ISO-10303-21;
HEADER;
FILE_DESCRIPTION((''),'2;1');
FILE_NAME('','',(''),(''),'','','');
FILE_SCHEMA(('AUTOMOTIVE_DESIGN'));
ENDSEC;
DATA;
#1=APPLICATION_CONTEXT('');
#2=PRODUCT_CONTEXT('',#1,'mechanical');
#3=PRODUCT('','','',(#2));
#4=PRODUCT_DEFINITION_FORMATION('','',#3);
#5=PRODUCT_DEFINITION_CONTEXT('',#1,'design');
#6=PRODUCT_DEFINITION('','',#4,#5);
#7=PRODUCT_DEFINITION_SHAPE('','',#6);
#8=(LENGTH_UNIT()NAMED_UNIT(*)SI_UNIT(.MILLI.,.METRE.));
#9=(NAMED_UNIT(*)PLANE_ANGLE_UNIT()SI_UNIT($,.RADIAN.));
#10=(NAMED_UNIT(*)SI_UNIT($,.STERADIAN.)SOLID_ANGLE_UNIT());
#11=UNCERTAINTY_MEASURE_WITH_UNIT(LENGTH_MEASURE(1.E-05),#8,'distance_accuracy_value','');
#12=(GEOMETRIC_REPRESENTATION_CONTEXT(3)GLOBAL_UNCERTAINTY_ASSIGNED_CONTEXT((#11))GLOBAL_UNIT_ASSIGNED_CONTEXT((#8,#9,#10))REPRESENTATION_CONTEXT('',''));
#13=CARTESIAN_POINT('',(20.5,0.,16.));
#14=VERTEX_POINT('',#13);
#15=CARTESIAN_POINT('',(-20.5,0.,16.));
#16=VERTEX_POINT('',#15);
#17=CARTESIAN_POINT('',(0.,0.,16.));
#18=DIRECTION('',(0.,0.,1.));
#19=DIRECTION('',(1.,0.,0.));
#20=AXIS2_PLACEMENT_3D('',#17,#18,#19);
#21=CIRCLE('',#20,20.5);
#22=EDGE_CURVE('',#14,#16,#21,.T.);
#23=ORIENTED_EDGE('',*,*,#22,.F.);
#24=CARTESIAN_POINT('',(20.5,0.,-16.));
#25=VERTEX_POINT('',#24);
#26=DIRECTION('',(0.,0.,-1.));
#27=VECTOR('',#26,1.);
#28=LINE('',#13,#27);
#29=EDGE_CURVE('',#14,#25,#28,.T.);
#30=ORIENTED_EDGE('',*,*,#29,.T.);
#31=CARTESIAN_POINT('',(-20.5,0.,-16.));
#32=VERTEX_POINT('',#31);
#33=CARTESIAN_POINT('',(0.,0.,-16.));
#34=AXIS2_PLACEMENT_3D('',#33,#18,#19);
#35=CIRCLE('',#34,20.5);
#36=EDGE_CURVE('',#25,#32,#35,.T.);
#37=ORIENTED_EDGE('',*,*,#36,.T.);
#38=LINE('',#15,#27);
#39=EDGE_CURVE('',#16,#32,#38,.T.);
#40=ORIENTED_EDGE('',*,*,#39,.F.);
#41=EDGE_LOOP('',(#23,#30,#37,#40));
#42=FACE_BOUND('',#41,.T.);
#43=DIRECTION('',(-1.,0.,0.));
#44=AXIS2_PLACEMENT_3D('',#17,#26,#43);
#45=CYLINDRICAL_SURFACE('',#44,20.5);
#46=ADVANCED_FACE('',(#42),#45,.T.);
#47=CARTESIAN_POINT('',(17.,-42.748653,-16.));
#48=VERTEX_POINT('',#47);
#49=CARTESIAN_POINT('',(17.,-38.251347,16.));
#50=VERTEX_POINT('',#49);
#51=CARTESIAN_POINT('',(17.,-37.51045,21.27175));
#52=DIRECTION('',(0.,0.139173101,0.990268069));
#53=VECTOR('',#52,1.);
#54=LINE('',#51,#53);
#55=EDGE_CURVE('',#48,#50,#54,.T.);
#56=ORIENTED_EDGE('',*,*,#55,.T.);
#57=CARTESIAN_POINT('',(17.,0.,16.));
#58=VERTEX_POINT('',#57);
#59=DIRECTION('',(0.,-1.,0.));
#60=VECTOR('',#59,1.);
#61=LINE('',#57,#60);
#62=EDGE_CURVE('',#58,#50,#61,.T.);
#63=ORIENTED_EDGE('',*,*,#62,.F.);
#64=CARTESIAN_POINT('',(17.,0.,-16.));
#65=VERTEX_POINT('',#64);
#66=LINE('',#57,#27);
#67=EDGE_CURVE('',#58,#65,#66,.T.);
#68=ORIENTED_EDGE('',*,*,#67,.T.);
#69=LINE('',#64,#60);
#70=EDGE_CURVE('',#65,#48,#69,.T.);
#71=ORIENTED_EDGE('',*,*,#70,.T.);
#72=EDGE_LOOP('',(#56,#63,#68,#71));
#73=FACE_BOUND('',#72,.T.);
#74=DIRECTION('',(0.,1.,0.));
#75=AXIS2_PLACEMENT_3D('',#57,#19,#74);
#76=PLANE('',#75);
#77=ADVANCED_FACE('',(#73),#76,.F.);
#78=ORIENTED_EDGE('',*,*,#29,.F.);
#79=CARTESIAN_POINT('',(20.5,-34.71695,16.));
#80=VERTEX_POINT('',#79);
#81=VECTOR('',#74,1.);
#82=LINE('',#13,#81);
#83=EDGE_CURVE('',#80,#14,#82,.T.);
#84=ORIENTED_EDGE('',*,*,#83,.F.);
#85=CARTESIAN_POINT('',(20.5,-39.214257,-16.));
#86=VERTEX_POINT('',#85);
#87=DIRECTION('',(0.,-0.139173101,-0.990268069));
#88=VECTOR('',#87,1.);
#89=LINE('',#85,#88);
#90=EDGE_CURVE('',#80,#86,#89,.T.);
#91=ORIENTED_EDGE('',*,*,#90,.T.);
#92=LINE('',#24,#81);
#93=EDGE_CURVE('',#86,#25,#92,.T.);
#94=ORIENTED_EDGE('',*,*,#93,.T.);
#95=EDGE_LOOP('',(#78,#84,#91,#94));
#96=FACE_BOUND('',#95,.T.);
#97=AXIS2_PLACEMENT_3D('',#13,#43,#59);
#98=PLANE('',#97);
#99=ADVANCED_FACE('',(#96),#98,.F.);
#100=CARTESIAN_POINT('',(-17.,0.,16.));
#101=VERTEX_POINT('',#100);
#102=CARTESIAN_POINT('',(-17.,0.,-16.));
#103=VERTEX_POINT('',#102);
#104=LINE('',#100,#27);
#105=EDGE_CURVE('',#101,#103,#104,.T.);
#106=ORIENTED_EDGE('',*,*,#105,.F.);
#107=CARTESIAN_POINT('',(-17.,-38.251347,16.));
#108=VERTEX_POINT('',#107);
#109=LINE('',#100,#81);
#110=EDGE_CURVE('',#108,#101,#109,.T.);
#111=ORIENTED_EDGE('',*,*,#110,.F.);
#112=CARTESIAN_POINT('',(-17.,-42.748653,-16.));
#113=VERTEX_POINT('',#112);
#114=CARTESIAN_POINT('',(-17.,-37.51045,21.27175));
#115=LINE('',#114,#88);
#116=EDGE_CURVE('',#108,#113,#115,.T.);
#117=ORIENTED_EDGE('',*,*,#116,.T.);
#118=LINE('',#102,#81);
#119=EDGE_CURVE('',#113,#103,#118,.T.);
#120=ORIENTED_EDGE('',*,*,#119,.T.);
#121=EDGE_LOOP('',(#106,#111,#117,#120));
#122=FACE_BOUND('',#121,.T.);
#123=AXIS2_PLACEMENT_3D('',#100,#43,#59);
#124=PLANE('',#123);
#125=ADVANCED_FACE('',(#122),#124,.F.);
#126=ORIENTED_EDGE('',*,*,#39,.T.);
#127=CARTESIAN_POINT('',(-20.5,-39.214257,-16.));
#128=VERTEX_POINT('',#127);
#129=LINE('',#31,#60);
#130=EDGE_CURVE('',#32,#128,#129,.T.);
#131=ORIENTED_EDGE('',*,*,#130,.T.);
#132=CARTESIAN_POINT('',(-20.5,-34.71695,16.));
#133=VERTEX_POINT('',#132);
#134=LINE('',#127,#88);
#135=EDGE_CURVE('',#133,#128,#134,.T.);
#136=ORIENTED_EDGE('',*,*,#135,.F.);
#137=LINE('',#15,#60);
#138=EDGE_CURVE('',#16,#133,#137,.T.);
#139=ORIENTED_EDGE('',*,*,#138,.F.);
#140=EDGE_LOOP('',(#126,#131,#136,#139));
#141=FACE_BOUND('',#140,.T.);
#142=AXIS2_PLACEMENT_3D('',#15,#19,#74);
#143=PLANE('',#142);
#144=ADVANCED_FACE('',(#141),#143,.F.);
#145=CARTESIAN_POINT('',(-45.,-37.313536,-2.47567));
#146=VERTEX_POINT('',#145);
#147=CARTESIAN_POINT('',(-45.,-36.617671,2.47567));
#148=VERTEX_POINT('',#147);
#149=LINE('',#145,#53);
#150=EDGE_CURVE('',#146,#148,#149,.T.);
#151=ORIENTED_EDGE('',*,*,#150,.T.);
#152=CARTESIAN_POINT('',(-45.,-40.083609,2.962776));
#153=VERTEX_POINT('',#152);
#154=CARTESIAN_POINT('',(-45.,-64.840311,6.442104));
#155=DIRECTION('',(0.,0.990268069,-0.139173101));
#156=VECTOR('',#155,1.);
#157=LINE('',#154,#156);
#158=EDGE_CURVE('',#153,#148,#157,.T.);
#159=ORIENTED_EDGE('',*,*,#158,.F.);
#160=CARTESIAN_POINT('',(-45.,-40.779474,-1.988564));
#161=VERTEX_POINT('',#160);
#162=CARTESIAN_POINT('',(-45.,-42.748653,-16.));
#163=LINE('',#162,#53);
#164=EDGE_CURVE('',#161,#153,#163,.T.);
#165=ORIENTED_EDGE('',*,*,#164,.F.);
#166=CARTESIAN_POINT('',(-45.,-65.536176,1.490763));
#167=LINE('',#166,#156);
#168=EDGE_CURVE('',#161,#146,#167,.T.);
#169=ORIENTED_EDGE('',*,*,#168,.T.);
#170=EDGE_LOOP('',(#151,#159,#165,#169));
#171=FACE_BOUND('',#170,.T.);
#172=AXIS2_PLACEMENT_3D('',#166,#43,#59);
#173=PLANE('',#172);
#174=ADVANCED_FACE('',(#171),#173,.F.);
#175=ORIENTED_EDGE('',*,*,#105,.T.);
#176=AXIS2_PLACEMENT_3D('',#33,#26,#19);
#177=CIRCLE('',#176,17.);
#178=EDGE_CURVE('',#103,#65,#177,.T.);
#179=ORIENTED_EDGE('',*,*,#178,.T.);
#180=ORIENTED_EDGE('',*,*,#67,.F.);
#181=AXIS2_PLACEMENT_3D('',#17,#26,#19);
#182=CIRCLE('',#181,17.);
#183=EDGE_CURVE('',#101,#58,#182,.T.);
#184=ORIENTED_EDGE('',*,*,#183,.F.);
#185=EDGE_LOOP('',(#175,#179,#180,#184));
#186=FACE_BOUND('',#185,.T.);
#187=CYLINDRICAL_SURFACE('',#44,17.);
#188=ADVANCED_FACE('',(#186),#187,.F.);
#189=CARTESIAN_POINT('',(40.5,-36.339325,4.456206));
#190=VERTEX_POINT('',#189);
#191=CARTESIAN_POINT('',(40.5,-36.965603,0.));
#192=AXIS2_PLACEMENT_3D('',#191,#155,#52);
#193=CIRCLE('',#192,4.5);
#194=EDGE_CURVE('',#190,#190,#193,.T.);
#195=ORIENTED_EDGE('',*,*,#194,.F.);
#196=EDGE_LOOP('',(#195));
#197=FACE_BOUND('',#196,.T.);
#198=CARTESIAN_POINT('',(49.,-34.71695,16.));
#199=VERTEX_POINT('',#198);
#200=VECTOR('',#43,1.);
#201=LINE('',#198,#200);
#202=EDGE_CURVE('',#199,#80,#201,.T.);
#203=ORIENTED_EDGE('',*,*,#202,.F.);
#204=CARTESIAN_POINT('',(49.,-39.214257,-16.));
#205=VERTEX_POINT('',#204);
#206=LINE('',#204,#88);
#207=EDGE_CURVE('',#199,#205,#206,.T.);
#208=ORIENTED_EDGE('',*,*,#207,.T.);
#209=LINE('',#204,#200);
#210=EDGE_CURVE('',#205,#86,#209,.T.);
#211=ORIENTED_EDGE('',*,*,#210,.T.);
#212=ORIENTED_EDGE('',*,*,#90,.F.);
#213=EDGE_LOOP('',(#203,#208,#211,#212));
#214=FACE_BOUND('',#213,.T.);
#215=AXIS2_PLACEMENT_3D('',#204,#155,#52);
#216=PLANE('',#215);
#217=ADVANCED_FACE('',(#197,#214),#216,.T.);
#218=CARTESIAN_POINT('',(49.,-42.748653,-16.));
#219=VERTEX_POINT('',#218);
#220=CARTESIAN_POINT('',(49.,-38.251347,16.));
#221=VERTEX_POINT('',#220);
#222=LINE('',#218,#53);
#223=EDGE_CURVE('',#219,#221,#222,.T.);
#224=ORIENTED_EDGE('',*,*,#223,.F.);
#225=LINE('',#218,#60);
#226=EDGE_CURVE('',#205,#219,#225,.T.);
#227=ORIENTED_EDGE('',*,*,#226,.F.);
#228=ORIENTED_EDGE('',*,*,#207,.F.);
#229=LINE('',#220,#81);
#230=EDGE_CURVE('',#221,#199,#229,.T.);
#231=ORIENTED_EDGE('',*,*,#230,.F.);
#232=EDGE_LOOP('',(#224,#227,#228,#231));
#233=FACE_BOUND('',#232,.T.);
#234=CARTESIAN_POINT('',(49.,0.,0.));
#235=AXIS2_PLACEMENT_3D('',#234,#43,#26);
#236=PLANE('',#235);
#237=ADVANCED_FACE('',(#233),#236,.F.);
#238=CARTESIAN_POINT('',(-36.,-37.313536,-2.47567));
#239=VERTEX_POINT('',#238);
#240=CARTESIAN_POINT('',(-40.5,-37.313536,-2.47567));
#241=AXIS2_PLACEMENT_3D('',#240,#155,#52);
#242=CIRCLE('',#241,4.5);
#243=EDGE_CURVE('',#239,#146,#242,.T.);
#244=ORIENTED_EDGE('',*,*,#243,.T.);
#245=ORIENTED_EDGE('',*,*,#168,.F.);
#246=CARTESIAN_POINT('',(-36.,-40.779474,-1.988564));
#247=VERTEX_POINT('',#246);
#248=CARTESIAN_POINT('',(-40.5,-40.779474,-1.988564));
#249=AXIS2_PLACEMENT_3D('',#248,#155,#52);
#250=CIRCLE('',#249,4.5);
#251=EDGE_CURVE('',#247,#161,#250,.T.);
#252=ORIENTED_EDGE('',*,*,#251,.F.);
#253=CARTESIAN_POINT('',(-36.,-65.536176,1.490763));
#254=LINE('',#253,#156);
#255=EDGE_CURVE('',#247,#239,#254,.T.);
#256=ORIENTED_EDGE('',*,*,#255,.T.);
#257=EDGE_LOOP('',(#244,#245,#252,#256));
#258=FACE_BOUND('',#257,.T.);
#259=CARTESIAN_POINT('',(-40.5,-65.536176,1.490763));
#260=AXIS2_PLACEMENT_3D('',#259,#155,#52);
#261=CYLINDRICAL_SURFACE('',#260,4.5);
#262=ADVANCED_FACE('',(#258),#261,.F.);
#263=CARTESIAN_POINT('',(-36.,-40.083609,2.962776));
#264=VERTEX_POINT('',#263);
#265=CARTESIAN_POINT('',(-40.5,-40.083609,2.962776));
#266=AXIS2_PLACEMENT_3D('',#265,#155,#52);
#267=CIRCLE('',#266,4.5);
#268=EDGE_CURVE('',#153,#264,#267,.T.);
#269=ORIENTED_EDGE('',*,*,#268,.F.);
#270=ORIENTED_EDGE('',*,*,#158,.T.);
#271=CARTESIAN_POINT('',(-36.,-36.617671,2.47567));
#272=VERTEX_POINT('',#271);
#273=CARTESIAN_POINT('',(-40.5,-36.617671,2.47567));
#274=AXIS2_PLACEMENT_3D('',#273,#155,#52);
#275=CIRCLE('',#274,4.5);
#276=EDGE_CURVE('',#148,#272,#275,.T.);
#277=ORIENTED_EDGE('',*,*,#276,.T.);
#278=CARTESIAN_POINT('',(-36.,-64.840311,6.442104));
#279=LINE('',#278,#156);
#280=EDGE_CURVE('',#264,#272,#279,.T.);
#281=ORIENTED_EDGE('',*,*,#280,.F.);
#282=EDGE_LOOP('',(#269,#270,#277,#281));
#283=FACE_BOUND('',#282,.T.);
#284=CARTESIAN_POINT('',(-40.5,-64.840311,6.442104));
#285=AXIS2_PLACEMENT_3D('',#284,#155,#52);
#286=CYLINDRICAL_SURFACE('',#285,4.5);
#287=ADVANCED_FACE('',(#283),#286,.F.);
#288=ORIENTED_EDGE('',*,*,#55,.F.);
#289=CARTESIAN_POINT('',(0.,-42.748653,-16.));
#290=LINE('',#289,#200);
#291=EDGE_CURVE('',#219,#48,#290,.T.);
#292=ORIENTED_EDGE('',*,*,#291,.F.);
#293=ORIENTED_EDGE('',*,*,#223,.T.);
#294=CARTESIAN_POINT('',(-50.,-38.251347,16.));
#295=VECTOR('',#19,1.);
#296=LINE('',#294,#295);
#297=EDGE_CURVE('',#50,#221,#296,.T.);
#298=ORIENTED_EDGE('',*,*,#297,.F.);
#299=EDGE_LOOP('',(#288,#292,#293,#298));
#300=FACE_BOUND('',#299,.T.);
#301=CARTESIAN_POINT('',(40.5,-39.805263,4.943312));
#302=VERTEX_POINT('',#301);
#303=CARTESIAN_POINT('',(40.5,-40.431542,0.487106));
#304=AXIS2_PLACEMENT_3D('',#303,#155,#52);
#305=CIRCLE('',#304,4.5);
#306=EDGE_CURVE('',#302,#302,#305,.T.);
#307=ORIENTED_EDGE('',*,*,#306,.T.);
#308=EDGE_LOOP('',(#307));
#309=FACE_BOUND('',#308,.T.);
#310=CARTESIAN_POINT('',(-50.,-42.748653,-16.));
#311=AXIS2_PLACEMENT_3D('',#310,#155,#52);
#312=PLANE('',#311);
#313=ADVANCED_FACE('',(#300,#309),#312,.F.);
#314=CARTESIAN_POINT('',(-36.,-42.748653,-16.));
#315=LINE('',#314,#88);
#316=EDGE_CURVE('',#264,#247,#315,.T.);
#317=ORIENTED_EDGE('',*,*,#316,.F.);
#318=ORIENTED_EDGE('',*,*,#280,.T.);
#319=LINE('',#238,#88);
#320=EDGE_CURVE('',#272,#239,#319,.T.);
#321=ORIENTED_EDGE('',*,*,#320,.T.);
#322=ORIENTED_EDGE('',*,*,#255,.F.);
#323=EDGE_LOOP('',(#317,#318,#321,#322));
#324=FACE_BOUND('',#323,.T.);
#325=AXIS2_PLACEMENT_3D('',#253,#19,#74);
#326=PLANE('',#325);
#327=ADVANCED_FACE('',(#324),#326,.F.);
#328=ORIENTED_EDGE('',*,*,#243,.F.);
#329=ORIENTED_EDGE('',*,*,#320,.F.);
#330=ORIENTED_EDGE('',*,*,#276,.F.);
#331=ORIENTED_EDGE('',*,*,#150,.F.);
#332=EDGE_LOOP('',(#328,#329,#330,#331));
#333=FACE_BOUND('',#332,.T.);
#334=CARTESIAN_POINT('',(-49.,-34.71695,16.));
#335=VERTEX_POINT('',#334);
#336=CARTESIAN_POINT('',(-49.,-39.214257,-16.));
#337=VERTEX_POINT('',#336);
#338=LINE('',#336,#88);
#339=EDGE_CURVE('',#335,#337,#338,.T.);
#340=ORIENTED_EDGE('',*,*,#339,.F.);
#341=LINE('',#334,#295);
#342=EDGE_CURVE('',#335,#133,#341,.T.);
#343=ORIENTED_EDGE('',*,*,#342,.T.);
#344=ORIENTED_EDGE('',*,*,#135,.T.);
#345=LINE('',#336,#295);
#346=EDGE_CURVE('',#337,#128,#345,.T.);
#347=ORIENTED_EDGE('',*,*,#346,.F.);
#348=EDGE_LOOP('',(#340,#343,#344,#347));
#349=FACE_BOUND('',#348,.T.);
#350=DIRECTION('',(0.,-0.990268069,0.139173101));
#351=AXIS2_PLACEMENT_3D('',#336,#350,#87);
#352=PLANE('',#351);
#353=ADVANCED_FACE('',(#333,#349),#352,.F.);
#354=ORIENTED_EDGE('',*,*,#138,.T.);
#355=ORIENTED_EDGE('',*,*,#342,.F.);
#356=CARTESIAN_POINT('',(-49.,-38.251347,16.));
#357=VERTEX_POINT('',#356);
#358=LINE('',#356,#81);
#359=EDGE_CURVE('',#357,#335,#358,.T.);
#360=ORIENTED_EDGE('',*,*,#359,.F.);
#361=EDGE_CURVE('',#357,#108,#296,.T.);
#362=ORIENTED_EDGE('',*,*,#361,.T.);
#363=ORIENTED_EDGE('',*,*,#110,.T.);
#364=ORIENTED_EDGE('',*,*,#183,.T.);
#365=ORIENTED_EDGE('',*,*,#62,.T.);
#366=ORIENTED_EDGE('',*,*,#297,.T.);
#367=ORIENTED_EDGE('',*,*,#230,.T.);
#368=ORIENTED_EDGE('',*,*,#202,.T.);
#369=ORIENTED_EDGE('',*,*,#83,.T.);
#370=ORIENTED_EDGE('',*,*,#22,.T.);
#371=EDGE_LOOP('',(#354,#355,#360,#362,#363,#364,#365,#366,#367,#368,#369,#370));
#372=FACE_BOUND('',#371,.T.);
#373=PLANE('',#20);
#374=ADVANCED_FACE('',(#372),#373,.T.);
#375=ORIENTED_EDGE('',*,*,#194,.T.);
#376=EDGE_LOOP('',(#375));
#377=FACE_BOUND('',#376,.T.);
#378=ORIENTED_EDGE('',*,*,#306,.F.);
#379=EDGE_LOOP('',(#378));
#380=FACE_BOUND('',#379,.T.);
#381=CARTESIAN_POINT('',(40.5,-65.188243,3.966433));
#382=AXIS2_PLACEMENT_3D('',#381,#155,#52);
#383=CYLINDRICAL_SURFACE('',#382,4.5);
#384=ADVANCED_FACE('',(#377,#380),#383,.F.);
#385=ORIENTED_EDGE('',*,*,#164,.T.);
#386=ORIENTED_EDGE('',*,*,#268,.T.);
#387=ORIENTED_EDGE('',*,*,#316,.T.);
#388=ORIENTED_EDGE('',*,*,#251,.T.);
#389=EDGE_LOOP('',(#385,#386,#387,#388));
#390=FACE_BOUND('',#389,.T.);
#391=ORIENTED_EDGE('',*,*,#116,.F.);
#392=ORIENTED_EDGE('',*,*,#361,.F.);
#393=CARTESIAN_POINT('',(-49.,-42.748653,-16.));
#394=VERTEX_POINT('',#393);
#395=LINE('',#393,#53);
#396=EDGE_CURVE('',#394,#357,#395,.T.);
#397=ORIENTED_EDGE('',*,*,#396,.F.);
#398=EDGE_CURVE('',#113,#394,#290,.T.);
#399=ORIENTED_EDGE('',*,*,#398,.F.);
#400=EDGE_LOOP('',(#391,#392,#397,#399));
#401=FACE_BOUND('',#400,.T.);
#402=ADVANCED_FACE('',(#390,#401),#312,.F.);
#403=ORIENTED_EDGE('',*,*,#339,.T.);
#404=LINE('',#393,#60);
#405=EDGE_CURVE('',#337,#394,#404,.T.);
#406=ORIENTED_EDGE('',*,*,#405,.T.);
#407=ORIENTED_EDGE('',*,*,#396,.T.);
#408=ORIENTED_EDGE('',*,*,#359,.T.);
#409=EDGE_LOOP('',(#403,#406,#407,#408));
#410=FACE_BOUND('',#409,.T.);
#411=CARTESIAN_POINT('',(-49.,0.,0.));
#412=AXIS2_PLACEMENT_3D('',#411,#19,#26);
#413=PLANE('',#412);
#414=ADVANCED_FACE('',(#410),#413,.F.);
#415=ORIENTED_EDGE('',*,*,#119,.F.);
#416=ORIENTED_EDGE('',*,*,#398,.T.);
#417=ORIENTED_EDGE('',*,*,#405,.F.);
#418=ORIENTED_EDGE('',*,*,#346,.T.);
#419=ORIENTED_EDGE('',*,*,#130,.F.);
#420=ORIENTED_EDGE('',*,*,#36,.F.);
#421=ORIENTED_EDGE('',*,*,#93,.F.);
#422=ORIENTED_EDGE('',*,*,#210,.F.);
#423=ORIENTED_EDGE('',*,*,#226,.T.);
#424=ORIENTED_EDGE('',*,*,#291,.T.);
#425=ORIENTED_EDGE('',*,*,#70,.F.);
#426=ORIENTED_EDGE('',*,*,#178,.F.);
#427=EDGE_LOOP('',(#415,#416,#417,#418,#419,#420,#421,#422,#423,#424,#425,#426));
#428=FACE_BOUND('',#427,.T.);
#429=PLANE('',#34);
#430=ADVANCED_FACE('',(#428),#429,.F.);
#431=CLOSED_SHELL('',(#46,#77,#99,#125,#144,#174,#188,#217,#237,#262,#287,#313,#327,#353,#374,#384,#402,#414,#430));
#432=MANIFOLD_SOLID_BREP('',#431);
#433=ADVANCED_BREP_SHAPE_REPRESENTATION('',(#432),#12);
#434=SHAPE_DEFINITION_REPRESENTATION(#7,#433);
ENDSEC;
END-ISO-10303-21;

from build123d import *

# Parameters (mm, degrees)
EXTRUDE_1_DEPTH     = 16
CUT_EXTRUDE_1_DEPTH = 50
EXTRUDE_2_DEPTH     = 28.5
SKETCH_4_R          = 4.5
CUT_EXTRUDE_2_DEPTH = 28.5


with BuildPart() as part:
    # 草图1 → 凸台-拉伸1 (new, symmetric)
    with BuildSketch(Plane.XY):
        with BuildLine():
            Line((-17, 0), (-17, -66.86388681))
            Line((-17, -66.86388681), (-20.5, -66.86388681))
            Line((-20.5, -66.86388681), (-20.5, 0))
            ThreePointArc((-20.5, 0), (0, 20.5), (20.5, 0))
            Line((20.5, 0), (20.5, -66.86388681))
            Line((20.5, -66.86388681), (17, -66.86388681))
            Line((17, -66.86388681), (17, 0))
            ThreePointArc((17, 0), (0, 17), (-17, 0))
        make_face()
    extrude(amount=EXTRUDE_1_DEPTH, both=True)

    # 草图2 → 切除-拉伸1 (cut, symmetric)
    with BuildSketch(Plane(origin=(0, 0, 0), x_dir=(0, 0, -1), z_dir=(1, 0, 0))):
        Polygon((16, -42.748653355), (-16, -38.251346645), (-16, -66.86388681), (16, -66.86388681), align=None)
    extrude(amount=CUT_EXTRUDE_1_DEPTH, both=True, mode=Mode.SUBTRACT)

    # 草图3 → 凸台-拉伸2 (add)
    with BuildSketch(Plane.ZY.offset(20.5)):
        Polygon((-16, -42.748653355), (16, -38.251346645), (16, -34.716950141), (-16, -39.214256851), align=None)
    extrude_2 = extrude(amount=EXTRUDE_2_DEPTH)

    # 镜向1: 凸台-拉伸2 across plane
    add(extrude_2.mirror(Plane(origin=(0, 0, 0), x_dir=(0, 0, 1), z_dir=(1, 0, 0))))

    # 草图4 → 切除-拉伸2 (cut)
    with BuildSketch(Plane(origin=(0, -36.249611102, 5.094550602), x_dir=(1, 0, 0), z_dir=(0, 0.9902680687415715, -0.13917310096005808))):
        with Locations(Location((40.5, 5.144617667, 0), (0, 0, 270))):
            Circle(SKETCH_4_R)
        with BuildLine():
            Line((-36, 7.644617667), (-36, 2.644617667))
            ThreePointArc((-36, 2.644617667), (-40.5, -1.855382333), (-45, 2.644617667))
            Line((-45, 2.644617667), (-45, 7.644617667))
            ThreePointArc((-45, 7.644617667), (-40.5, 12.144617667), (-36, 7.644617667))
        make_face()
    extrude(amount=-CUT_EXTRUDE_2_DEPTH, mode=Mode.SUBTRACT)


solid = part.part
